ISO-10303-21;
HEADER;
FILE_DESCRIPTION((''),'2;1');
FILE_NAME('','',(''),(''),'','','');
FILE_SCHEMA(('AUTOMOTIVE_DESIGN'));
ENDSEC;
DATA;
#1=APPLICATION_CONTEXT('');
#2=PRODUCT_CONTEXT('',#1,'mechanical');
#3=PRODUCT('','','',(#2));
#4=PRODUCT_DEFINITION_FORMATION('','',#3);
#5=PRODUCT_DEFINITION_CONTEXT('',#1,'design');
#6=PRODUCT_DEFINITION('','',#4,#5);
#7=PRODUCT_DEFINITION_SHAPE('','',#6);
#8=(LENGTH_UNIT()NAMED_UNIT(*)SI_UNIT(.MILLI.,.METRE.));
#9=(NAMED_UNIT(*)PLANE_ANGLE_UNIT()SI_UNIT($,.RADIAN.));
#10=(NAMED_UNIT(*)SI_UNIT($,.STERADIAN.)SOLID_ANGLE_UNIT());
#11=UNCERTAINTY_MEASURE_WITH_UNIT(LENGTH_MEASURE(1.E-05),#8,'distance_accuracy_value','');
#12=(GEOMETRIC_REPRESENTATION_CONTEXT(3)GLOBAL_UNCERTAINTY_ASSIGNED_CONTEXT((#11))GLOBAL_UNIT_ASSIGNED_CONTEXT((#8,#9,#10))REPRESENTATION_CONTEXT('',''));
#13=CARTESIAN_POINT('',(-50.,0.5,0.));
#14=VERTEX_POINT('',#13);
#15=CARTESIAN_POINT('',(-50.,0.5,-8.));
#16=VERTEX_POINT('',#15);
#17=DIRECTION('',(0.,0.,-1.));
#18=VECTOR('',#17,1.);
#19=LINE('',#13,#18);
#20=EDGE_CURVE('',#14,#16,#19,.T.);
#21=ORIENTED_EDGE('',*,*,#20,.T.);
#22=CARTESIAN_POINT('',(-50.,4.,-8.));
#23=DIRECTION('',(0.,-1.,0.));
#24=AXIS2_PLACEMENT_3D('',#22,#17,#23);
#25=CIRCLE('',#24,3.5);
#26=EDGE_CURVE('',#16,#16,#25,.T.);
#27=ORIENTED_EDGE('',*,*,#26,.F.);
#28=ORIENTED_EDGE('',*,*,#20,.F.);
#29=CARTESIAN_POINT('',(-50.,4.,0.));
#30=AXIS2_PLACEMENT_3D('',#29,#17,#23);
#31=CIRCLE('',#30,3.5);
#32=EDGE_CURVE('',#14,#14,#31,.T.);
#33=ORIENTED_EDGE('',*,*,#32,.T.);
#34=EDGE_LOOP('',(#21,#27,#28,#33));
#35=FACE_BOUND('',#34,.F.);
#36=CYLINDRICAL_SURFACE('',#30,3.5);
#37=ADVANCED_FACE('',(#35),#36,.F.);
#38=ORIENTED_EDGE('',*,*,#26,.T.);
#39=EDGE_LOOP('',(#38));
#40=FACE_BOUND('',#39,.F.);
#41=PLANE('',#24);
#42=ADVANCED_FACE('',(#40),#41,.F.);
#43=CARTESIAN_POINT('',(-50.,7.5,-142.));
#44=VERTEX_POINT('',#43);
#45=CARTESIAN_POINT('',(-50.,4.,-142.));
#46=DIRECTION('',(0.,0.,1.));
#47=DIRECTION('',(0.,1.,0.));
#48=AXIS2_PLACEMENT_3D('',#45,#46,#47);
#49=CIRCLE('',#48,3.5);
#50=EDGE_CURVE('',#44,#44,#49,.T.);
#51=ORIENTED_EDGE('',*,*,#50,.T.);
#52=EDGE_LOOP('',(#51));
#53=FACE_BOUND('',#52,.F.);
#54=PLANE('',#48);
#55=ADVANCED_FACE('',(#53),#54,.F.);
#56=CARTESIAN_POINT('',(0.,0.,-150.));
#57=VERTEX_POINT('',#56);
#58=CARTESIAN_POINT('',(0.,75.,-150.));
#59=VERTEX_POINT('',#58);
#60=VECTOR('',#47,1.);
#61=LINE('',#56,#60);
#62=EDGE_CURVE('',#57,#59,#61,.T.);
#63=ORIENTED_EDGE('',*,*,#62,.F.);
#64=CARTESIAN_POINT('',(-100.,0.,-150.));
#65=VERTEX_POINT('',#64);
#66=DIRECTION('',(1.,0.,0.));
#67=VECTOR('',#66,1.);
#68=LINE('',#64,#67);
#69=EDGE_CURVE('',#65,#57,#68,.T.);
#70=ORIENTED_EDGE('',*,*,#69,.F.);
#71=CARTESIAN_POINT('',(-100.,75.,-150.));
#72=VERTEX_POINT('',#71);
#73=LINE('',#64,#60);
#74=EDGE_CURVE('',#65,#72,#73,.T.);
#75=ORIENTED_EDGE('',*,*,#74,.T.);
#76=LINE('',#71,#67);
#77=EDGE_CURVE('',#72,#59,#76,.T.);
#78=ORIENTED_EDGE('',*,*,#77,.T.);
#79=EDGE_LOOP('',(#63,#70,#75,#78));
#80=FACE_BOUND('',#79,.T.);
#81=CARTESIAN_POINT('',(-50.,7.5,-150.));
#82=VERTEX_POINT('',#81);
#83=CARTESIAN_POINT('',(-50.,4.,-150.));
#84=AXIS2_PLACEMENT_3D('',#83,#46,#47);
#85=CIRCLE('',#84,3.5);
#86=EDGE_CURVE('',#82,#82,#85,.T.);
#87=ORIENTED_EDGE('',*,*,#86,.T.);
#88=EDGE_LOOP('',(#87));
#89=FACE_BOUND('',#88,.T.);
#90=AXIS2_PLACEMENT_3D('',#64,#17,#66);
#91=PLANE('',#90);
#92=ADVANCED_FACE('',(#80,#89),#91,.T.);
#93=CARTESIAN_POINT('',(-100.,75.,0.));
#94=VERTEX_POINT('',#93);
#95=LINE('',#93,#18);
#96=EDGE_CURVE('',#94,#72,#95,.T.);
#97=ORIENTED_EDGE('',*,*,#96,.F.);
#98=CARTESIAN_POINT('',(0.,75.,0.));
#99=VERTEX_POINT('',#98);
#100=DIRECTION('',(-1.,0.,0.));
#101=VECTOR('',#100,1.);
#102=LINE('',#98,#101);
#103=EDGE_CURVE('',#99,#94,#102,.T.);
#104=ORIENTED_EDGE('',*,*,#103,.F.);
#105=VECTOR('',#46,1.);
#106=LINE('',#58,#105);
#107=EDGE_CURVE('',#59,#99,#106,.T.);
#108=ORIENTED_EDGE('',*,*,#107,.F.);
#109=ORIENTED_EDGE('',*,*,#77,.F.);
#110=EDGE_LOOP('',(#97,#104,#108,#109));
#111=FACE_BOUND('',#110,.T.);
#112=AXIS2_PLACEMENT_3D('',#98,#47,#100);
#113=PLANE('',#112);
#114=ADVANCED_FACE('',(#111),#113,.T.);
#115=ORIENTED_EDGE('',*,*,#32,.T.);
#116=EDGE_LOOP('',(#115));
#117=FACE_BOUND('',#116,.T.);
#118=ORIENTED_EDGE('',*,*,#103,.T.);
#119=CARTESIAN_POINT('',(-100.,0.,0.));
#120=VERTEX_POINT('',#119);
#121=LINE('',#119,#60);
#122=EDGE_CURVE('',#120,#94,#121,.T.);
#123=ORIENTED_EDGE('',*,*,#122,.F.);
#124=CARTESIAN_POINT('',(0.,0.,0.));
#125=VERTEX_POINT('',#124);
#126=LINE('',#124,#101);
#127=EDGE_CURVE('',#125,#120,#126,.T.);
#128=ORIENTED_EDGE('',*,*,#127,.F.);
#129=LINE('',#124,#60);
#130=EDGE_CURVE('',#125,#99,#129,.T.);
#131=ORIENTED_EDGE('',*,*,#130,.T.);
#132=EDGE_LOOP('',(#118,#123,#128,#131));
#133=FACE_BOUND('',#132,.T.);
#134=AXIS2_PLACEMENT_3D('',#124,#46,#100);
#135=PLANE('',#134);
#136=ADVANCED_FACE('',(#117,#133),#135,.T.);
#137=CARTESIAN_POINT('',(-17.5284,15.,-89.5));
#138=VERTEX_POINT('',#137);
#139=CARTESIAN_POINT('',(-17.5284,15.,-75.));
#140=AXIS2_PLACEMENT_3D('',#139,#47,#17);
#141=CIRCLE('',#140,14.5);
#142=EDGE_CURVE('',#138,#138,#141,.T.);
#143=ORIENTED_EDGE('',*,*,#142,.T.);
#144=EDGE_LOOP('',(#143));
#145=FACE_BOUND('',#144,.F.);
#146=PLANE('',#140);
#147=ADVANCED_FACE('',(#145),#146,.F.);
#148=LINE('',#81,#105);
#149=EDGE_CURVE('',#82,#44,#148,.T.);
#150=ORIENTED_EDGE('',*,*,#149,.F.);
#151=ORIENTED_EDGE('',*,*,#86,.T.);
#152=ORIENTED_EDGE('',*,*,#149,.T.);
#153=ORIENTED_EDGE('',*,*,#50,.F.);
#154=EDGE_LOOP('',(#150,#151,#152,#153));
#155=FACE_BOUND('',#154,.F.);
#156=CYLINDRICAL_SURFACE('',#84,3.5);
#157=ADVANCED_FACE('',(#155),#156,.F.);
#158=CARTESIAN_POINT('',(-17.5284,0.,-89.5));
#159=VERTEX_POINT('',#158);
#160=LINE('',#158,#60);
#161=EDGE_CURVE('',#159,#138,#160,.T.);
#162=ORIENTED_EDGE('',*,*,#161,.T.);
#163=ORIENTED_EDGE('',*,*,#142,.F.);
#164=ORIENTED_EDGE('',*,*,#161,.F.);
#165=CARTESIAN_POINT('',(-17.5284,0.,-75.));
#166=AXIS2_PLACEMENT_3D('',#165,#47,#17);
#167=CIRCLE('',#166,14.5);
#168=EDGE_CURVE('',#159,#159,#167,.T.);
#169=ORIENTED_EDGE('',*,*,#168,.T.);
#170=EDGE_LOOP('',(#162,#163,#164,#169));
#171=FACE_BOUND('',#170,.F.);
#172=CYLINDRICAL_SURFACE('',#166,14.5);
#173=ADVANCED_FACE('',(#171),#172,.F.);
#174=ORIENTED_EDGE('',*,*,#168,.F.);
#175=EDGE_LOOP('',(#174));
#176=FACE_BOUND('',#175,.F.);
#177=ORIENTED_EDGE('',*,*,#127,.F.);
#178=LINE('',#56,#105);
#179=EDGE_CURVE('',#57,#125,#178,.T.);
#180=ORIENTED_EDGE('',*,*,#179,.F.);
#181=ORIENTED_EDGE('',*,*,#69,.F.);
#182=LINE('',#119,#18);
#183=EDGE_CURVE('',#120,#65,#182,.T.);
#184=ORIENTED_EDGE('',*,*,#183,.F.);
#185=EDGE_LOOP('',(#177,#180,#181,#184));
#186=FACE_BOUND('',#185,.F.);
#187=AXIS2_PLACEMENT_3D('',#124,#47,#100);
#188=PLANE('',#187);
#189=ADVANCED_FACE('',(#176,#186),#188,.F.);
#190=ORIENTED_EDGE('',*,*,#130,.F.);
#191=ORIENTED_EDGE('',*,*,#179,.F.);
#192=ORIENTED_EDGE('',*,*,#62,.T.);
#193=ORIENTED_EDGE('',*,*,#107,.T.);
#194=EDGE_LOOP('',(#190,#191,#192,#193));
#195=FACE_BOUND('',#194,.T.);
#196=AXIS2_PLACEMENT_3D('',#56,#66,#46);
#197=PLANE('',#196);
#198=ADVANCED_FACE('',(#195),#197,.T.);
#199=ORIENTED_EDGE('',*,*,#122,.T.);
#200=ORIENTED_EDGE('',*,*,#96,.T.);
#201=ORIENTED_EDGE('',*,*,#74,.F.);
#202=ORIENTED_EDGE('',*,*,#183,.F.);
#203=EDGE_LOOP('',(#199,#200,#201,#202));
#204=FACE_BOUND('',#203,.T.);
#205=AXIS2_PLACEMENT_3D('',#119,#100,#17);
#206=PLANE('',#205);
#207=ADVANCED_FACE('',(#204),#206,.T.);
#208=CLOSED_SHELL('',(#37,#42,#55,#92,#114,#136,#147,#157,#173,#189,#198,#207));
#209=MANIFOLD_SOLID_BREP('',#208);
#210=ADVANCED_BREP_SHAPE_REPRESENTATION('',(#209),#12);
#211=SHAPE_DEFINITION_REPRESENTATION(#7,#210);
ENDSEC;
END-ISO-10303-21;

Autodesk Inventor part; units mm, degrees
ref_plane "YZ Plane" through (0, 0, 0) normal (1, 0, 0) x (0, 1, 0)
ref_plane "XZ Plane" through (0, 0, 0) normal (0, 1, 0) x (-1, 0, 0)
ref_plane "XY Plane" through (0, 0, 0) normal (0, 0, 1) x (1, 0, 0)
sketch "Sketch1" plane through (0, 0, 0) normal (0, 1, 0) x (-1, 0, 0)
  line L0 (0, 0) -> (100, 0)
  line L1 (100, 0) -> (100, -150)
  line L2 (100, -150) -> (0, -150)
  line L3 (0, -150) -> (0, 0)
  dimension "d0" = 100
  dimension "d1" = 150
extrude "Extrusion1" add sketch "Sketch1" along normal blind 75
sketch "Sketch2" plane through (0, 0, -150) normal (0, 0, -1) x (-1, 0, 0)
  line L0 (0, 0) -> (100, 0) projected
  circle A0 centre (50, 4) radius 3.5
hole "Hole1" at (-50, 4, -150) direction (0, 0, 1) diameter 7 depth 8
sketch "Sketch3" plane through (-100, 0, 0) normal (0, 0, 1) x (1, 0, 0)
  circle A0 centre (50, 4) radius 3.5 projected
  circle A1 centre (50, 4) radius 3.5
  point P0 (100, 0)
hole "Hole2" at (-50, 4, 0) direction (0, 0, -1) diameter 7 depth 8
sketch "Sketch4" plane through (0, 0, 0) normal (0, -1, 0) x (1, 0, 0)
  point P0 (0, 0)
sketch "Sketch5" plane through (0, 0, 0) normal (0, -1, 0) x (1, 0, 0)
  line L0 (0, 0) -> (0, -150) projected
  line L1 (0, -75) -> (-100, -75)
  line L2 (-100, -150) -> (-100, 0) projected
sketch "Sketch6" plane through (0, 0, 0) normal (0, -1, 0) x (1, 0, 0)
  circle A0 centre (-17.5284, -75) radius 15
  point P0 (0, 0)
  dimension "d20" = 30
hole "Hole3" at (-17.5284, 0, -75) direction (0, 1, 0) diameter 29 depth 15
properties part number "Box 1"
